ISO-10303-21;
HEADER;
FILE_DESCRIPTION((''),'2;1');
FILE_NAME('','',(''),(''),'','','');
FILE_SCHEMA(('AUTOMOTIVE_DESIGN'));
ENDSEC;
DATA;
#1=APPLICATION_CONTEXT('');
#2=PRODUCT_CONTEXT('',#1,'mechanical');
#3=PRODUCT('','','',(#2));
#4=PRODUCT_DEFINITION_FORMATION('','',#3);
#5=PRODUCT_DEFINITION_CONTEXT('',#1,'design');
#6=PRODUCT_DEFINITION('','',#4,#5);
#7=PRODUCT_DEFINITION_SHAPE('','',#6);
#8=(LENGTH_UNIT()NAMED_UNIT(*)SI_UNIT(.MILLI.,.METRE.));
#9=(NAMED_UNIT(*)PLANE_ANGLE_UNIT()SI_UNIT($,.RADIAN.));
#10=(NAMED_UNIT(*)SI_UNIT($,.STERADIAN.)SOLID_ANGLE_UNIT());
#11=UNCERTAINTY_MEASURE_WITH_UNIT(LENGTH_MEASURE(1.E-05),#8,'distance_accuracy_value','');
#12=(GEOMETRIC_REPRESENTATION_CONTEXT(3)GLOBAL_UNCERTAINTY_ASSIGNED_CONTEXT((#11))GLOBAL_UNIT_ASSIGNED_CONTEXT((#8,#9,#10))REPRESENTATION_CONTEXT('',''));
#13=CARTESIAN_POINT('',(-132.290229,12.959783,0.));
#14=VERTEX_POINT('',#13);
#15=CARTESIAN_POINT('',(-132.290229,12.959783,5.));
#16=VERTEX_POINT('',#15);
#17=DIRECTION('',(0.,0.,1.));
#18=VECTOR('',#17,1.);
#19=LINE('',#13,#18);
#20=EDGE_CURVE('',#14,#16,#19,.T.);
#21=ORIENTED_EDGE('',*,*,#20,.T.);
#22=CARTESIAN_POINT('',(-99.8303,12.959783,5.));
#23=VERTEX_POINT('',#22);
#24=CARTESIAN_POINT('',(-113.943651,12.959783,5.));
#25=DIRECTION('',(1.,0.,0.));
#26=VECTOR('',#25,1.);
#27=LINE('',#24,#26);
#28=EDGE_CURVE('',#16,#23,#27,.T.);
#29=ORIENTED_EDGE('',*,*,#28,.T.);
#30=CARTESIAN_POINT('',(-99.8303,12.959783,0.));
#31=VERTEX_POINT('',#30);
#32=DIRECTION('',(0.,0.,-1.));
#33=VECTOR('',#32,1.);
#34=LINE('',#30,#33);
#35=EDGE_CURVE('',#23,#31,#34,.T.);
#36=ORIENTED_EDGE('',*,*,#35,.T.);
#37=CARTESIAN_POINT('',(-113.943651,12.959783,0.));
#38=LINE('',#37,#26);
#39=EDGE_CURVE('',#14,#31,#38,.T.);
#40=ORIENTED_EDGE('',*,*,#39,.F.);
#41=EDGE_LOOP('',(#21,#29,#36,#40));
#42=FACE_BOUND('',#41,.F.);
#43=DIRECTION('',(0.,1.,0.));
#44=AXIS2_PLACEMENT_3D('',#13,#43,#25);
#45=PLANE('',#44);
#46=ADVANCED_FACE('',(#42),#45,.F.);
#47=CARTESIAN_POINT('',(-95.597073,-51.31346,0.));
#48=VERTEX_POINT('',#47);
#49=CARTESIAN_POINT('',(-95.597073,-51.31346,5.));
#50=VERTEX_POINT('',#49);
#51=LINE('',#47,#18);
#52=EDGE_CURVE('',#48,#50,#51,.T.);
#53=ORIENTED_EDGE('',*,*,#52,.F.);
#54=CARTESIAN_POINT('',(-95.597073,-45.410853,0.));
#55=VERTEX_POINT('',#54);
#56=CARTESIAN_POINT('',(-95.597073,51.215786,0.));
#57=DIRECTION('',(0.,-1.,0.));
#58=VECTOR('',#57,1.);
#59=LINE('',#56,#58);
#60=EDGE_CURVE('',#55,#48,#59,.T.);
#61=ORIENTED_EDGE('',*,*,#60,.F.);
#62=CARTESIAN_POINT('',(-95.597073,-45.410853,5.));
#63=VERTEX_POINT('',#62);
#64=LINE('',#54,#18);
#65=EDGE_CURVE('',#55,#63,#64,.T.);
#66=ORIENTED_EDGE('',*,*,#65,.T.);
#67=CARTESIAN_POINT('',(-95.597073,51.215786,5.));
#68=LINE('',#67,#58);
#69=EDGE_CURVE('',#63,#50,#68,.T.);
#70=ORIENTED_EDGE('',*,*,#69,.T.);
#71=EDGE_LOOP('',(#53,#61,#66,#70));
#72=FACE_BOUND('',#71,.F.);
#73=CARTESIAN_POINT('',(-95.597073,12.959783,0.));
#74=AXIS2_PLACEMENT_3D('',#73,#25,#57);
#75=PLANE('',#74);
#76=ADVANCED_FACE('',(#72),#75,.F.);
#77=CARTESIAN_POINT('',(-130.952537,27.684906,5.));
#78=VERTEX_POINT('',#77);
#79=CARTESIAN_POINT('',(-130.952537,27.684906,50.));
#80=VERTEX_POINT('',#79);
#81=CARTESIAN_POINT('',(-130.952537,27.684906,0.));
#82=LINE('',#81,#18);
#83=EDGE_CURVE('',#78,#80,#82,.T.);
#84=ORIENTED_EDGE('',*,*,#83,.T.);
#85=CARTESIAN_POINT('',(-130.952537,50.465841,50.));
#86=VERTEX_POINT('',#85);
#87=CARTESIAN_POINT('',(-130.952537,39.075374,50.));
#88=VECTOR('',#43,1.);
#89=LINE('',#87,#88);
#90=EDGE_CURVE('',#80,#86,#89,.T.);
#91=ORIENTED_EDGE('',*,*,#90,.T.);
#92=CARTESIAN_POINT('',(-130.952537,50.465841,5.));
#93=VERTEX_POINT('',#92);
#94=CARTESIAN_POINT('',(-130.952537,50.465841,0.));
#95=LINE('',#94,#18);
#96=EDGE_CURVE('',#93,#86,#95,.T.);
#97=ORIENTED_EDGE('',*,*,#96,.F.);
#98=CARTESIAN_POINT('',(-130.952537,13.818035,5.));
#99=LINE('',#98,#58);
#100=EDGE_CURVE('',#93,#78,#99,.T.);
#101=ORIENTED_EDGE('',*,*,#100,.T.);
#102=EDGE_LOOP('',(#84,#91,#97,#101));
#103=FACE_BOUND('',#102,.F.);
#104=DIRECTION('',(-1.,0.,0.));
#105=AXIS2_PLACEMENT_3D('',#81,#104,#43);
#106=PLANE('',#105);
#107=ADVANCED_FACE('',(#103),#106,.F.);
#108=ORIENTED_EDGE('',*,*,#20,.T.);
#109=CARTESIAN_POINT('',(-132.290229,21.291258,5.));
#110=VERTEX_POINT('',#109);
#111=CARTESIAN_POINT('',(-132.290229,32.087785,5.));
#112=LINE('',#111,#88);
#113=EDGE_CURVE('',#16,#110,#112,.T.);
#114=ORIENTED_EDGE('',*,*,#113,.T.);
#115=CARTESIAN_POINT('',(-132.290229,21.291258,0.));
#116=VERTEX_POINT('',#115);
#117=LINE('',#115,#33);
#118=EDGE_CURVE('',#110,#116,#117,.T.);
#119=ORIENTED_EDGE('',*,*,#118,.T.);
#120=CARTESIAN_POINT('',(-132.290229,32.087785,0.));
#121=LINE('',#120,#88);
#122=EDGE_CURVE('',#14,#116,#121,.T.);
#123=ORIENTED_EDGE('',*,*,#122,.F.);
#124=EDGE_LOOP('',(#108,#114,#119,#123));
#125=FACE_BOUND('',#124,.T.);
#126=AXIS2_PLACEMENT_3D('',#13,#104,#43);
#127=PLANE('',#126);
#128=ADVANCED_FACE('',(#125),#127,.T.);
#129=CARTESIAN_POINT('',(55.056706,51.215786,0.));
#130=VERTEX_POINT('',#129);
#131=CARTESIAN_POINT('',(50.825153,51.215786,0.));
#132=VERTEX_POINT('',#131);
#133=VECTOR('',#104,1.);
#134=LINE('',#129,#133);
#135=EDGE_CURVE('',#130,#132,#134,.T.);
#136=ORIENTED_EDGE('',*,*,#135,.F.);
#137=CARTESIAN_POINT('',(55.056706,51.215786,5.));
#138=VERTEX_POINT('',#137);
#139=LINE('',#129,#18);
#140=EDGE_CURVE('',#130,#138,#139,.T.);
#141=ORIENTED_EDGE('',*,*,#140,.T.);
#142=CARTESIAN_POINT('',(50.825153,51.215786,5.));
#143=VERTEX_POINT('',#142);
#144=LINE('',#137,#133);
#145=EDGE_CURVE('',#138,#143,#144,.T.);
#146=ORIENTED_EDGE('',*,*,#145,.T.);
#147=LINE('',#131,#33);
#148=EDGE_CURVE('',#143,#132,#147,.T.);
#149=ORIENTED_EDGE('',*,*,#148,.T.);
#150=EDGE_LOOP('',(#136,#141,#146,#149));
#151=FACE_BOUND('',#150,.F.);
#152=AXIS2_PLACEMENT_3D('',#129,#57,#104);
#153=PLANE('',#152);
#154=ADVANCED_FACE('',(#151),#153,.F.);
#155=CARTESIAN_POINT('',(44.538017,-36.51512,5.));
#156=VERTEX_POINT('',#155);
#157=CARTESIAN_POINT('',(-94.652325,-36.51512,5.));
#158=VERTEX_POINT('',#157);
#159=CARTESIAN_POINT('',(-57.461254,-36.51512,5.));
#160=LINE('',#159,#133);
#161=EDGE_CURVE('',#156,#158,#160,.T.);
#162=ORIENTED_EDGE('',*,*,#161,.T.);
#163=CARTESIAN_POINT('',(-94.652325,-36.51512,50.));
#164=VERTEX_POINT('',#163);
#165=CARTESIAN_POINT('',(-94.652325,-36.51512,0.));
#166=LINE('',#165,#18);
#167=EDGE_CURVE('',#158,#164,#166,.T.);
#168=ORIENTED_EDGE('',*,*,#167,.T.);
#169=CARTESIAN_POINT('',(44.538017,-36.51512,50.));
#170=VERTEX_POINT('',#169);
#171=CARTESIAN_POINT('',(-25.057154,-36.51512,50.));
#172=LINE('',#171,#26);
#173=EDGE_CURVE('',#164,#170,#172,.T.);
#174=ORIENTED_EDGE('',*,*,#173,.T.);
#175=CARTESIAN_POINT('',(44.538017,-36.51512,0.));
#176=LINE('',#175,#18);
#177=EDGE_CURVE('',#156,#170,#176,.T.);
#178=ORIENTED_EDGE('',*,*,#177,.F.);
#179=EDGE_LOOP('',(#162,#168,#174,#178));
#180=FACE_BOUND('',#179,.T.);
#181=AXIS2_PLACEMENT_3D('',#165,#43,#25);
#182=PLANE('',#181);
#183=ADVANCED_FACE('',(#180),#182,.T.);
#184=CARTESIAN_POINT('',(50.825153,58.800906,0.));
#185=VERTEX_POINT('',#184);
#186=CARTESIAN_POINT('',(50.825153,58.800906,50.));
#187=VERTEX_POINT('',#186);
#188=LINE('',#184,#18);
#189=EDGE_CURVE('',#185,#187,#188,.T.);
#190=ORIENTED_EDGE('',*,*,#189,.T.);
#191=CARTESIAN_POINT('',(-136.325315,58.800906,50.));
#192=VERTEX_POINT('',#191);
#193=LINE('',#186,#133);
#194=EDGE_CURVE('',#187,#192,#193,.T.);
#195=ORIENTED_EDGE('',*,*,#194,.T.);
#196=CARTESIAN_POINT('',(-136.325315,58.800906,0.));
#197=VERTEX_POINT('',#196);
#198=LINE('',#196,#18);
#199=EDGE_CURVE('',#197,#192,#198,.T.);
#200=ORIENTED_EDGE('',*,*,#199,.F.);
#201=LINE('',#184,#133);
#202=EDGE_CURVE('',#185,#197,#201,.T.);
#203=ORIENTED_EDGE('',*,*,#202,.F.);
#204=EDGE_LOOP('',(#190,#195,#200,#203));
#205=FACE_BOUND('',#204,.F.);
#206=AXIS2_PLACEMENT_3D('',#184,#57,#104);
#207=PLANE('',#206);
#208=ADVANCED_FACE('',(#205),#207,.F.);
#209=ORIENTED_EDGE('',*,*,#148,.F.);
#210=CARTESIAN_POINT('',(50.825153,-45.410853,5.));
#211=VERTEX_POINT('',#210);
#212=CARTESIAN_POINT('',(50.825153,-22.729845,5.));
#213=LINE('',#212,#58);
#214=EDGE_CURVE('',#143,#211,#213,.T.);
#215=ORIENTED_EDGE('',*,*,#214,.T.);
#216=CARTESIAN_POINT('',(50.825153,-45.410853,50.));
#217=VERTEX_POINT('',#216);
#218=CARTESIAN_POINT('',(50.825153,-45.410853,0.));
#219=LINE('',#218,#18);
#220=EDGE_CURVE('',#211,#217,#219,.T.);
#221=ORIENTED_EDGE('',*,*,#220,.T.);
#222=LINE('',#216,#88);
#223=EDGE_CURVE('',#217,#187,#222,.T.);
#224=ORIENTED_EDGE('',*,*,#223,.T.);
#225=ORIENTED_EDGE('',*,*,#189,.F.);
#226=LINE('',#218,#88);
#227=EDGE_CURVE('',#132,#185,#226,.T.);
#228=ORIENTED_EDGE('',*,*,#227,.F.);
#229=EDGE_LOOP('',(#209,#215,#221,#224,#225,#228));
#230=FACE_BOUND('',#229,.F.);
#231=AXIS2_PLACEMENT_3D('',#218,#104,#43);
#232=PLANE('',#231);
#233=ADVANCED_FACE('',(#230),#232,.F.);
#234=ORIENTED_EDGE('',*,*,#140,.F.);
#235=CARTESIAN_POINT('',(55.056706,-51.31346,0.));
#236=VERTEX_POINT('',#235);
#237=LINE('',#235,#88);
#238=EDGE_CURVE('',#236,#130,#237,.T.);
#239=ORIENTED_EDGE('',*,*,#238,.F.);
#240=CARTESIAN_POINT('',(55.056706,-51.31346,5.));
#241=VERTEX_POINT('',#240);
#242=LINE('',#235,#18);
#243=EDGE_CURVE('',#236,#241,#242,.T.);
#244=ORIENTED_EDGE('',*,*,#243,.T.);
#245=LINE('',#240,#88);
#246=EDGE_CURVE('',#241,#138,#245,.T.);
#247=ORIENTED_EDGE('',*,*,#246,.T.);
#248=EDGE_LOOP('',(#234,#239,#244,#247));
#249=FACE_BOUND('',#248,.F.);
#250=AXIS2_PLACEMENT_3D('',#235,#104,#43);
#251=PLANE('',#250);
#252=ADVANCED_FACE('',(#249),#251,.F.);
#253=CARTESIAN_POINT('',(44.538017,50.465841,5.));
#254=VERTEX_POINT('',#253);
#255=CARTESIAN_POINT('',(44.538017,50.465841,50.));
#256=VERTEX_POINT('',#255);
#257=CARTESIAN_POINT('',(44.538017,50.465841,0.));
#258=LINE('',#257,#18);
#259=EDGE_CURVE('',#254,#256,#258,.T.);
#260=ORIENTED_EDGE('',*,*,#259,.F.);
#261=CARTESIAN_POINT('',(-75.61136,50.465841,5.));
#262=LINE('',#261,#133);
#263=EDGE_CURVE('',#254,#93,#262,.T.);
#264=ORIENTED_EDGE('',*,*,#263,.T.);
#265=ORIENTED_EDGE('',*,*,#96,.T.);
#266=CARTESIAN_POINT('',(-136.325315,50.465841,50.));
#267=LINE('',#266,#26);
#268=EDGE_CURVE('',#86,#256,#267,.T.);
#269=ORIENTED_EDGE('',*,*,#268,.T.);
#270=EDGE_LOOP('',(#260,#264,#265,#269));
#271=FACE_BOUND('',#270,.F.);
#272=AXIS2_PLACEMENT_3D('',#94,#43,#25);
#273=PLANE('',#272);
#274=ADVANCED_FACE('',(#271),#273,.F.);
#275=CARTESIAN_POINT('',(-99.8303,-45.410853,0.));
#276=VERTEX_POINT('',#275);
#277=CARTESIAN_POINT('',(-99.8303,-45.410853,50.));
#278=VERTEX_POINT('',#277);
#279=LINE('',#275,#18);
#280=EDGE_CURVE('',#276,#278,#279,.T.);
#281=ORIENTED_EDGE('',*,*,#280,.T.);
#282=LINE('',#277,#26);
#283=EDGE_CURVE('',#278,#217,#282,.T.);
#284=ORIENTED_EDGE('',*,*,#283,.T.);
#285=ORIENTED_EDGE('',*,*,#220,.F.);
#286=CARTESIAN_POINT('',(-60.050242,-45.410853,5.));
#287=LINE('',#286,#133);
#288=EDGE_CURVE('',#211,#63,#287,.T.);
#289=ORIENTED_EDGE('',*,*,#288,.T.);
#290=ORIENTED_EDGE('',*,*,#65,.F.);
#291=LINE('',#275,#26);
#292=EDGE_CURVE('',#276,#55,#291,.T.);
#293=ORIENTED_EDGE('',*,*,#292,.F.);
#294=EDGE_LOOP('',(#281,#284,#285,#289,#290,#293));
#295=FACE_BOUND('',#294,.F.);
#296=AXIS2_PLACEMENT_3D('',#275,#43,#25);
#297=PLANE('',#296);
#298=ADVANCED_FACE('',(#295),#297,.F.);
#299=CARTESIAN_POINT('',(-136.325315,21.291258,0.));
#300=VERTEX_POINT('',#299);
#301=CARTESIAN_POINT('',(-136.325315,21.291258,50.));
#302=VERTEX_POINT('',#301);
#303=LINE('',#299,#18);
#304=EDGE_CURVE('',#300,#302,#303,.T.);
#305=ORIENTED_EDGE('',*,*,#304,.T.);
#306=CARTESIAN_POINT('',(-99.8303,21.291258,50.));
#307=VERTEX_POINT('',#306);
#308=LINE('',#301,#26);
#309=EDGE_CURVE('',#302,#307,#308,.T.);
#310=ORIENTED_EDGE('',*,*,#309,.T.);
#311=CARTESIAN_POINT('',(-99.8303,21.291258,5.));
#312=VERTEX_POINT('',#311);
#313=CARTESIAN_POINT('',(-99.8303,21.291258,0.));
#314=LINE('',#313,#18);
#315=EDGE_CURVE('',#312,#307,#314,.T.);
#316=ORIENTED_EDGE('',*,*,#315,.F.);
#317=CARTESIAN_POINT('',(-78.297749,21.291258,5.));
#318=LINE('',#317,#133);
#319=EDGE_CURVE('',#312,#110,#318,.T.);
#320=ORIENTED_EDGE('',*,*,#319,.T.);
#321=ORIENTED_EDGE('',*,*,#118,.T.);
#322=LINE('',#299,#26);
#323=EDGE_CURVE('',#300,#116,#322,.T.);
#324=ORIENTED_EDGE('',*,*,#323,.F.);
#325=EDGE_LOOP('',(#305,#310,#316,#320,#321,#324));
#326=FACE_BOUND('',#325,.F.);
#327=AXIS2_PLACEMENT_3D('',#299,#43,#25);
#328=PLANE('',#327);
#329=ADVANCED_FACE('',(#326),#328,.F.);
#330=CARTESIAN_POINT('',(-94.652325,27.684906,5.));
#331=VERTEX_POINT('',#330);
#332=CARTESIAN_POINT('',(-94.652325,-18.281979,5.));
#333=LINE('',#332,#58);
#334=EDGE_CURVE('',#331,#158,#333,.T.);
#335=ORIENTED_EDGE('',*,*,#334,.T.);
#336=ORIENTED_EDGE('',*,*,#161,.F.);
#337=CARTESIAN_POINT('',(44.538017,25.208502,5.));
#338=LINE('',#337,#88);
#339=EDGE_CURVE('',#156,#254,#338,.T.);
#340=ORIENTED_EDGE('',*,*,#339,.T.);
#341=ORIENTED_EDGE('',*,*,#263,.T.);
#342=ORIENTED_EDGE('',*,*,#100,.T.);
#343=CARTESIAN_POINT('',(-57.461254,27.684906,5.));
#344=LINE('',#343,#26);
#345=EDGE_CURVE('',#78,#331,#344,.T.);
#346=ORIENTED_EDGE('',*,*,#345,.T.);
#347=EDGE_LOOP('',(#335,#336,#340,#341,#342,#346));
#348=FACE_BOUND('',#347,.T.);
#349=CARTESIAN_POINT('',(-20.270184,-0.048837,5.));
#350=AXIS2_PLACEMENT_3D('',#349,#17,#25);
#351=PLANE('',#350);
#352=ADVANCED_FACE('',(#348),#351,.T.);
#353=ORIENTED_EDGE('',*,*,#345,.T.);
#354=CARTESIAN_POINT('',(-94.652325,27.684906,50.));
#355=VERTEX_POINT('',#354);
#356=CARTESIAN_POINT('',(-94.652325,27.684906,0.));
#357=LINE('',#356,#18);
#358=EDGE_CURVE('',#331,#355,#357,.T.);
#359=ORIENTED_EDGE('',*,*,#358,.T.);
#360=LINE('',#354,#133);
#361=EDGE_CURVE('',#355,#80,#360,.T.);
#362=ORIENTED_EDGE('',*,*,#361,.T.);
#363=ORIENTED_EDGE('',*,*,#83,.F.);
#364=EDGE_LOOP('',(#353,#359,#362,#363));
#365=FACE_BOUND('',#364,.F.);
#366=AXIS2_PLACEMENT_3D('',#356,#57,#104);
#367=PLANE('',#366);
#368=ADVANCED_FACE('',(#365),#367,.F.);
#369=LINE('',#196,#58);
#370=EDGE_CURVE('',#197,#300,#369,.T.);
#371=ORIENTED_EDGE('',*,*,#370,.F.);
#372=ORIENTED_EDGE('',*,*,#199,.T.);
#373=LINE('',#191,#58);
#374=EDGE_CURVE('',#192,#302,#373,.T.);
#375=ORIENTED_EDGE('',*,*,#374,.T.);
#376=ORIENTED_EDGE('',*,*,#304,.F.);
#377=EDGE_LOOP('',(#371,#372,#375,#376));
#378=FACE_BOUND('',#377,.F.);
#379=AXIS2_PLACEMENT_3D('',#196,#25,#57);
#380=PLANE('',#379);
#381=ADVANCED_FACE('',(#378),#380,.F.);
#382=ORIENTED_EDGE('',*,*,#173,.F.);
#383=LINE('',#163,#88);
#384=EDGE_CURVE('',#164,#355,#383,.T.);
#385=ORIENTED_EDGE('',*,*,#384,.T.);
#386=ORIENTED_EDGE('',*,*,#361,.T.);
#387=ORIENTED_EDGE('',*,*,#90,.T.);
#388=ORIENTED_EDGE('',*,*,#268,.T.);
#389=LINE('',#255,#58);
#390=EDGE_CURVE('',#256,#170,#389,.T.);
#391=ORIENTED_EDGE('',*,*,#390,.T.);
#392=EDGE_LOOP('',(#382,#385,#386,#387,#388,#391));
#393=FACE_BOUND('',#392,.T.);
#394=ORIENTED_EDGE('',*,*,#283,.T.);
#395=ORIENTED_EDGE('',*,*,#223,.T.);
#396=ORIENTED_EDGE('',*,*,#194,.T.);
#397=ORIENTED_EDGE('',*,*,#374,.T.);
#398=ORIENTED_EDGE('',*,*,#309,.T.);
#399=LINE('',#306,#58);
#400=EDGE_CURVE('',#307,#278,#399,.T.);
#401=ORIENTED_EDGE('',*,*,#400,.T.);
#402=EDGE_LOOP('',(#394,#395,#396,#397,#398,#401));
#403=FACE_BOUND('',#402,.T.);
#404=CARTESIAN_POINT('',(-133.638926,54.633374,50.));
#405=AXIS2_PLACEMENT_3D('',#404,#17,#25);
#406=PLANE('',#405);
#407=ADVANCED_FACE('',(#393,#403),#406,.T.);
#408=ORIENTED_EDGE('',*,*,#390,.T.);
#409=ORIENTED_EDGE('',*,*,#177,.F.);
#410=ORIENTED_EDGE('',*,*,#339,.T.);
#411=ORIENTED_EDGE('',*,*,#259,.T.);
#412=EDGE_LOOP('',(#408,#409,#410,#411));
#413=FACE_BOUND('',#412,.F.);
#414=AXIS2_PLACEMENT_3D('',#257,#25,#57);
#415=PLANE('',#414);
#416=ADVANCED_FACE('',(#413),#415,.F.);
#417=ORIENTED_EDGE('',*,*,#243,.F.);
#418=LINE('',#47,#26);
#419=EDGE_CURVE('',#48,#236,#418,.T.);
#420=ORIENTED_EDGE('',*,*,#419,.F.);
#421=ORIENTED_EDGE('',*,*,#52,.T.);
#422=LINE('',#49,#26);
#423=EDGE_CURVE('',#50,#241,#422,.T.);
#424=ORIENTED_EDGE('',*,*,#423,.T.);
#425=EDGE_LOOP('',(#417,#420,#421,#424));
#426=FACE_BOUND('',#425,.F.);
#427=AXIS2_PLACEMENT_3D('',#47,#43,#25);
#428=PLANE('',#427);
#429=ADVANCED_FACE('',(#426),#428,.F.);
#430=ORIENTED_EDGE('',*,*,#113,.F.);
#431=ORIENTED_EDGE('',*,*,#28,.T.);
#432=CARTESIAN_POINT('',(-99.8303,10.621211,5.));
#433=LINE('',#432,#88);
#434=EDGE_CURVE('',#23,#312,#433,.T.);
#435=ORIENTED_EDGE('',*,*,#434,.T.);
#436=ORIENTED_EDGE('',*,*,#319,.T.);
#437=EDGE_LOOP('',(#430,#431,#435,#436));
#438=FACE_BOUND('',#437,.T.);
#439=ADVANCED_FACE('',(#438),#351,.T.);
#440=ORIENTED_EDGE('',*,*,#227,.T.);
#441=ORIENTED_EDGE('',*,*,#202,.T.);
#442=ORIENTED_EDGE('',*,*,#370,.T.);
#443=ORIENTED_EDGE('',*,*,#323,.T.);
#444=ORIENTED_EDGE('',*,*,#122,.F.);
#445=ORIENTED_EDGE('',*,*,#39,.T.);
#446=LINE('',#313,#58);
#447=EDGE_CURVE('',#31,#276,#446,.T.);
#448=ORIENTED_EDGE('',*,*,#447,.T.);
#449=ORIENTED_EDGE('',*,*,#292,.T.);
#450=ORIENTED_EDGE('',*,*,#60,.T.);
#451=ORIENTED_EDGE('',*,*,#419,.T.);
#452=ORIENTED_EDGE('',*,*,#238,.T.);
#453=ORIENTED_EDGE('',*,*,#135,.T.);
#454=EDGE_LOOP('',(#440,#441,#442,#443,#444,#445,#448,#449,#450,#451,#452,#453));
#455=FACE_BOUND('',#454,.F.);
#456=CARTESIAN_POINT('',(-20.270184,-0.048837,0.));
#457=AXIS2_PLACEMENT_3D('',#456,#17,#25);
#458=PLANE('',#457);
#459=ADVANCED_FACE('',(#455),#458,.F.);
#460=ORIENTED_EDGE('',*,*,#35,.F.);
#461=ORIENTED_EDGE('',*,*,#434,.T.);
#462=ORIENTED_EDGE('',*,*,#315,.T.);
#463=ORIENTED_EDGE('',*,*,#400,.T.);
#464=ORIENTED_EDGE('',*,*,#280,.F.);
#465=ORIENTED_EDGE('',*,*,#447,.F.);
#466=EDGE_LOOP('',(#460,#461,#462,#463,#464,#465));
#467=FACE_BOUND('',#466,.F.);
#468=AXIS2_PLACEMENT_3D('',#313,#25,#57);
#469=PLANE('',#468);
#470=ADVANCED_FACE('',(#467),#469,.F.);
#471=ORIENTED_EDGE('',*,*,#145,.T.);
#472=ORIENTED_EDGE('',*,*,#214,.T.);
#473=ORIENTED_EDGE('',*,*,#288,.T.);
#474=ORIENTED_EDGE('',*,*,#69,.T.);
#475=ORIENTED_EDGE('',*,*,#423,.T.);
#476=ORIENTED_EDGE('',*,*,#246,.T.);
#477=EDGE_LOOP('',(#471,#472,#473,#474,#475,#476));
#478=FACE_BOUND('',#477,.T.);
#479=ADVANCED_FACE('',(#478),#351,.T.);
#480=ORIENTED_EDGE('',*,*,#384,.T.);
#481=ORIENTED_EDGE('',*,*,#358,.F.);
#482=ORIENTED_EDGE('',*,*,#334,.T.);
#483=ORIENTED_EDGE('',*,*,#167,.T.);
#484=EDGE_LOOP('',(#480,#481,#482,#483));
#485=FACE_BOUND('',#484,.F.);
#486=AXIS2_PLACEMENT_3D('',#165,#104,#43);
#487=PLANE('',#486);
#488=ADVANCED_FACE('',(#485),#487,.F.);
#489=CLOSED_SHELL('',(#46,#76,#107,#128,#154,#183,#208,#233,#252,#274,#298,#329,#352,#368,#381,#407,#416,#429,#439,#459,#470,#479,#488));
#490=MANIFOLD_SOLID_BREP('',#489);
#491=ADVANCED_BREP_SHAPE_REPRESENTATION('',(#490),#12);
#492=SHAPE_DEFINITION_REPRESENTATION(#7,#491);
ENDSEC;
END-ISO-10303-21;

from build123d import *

# Parameters (mm, degrees)
F0_W     = 36.6931557655
F0_H     = 38.2560035214
F1_DEPTH = 5
F2_W     = 5.3727775812
F2_H     = 8.3350656513
F2_H_2   = 22.7809343487
F2_W_2   = 6.2871351838
F2_H_3   = 86.9809612632
F2_H_4   = 8.8957324624
F2_W_3   = 139.1903422773
F2_W_4   = 5.1779747009
F2_H_5   = 6.393648684
F2_H_6   = 57.8063782305
F3_DEPTH = 50


with BuildPart() as f1:
    # F0 (on Top) → F1 (new body)
    with BuildSketch(Plane.XY):
        Polygon((55.0567060709, 51.2157864869), (-95.5970734358, 51.2157864869), (-95.5970734358, 12.9597829655), (-95.5970734358, -51.3134598732), (55.0567060709, -51.3134598732), align=None)
        with Locations((-113.9436513186, 32.0877847262)):
            Rectangle(F0_W, F0_H)
    extrude(amount=F1_DEPTH)

    # F2 (on Top) → F3 (join)
    with BuildSketch(Plane.XY):
        with Locations((-133.6389258504, 54.6333736719)):
            Rectangle(F2_W, F2_H)
        Polygon((50.8251525462, 58.8009064976), (-130.9525370598, 58.8009064976), (-130.9525370598, 50.4658408463), (44.5380173624, 50.4658408463), (50.8251525462, 50.4658408463), align=None)
        with Locations((-133.6389258504, 39.0753736719)):
            Rectangle(F2_W, F2_H_2)
        Polygon((-130.9525370598, 27.6849064976), (-136.325314641, 27.6849064976), (-136.325314641, 21.2912578136), (-99.8302996159, 21.2912578136), (-99.8302996159, 27.6849064976), align=None)
        with Locations((47.6815849543, 6.9753602147)):
            Rectangle(F2_W_2, F2_H_3)
        with Locations((47.6815849543, -40.9629866481)):
            Rectangle(F2_W_2, F2_H_4)
        with Locations((-25.0571537763, -40.9629866481)):
            Rectangle(F2_W_3, F2_H_4)
        with Locations((-97.2413122654, 24.4880821556)):
            Rectangle(F2_W_4, F2_H_5)
        with Locations((-97.2413122654, -7.6119313017)):
            Rectangle(F2_W_4, F2_H_6)
        with Locations((-97.2413122654, -40.9629866481)):
            Rectangle(F2_W_4, F2_H_4)
    extrude(amount=F3_DEPTH)


solid = f1.part
